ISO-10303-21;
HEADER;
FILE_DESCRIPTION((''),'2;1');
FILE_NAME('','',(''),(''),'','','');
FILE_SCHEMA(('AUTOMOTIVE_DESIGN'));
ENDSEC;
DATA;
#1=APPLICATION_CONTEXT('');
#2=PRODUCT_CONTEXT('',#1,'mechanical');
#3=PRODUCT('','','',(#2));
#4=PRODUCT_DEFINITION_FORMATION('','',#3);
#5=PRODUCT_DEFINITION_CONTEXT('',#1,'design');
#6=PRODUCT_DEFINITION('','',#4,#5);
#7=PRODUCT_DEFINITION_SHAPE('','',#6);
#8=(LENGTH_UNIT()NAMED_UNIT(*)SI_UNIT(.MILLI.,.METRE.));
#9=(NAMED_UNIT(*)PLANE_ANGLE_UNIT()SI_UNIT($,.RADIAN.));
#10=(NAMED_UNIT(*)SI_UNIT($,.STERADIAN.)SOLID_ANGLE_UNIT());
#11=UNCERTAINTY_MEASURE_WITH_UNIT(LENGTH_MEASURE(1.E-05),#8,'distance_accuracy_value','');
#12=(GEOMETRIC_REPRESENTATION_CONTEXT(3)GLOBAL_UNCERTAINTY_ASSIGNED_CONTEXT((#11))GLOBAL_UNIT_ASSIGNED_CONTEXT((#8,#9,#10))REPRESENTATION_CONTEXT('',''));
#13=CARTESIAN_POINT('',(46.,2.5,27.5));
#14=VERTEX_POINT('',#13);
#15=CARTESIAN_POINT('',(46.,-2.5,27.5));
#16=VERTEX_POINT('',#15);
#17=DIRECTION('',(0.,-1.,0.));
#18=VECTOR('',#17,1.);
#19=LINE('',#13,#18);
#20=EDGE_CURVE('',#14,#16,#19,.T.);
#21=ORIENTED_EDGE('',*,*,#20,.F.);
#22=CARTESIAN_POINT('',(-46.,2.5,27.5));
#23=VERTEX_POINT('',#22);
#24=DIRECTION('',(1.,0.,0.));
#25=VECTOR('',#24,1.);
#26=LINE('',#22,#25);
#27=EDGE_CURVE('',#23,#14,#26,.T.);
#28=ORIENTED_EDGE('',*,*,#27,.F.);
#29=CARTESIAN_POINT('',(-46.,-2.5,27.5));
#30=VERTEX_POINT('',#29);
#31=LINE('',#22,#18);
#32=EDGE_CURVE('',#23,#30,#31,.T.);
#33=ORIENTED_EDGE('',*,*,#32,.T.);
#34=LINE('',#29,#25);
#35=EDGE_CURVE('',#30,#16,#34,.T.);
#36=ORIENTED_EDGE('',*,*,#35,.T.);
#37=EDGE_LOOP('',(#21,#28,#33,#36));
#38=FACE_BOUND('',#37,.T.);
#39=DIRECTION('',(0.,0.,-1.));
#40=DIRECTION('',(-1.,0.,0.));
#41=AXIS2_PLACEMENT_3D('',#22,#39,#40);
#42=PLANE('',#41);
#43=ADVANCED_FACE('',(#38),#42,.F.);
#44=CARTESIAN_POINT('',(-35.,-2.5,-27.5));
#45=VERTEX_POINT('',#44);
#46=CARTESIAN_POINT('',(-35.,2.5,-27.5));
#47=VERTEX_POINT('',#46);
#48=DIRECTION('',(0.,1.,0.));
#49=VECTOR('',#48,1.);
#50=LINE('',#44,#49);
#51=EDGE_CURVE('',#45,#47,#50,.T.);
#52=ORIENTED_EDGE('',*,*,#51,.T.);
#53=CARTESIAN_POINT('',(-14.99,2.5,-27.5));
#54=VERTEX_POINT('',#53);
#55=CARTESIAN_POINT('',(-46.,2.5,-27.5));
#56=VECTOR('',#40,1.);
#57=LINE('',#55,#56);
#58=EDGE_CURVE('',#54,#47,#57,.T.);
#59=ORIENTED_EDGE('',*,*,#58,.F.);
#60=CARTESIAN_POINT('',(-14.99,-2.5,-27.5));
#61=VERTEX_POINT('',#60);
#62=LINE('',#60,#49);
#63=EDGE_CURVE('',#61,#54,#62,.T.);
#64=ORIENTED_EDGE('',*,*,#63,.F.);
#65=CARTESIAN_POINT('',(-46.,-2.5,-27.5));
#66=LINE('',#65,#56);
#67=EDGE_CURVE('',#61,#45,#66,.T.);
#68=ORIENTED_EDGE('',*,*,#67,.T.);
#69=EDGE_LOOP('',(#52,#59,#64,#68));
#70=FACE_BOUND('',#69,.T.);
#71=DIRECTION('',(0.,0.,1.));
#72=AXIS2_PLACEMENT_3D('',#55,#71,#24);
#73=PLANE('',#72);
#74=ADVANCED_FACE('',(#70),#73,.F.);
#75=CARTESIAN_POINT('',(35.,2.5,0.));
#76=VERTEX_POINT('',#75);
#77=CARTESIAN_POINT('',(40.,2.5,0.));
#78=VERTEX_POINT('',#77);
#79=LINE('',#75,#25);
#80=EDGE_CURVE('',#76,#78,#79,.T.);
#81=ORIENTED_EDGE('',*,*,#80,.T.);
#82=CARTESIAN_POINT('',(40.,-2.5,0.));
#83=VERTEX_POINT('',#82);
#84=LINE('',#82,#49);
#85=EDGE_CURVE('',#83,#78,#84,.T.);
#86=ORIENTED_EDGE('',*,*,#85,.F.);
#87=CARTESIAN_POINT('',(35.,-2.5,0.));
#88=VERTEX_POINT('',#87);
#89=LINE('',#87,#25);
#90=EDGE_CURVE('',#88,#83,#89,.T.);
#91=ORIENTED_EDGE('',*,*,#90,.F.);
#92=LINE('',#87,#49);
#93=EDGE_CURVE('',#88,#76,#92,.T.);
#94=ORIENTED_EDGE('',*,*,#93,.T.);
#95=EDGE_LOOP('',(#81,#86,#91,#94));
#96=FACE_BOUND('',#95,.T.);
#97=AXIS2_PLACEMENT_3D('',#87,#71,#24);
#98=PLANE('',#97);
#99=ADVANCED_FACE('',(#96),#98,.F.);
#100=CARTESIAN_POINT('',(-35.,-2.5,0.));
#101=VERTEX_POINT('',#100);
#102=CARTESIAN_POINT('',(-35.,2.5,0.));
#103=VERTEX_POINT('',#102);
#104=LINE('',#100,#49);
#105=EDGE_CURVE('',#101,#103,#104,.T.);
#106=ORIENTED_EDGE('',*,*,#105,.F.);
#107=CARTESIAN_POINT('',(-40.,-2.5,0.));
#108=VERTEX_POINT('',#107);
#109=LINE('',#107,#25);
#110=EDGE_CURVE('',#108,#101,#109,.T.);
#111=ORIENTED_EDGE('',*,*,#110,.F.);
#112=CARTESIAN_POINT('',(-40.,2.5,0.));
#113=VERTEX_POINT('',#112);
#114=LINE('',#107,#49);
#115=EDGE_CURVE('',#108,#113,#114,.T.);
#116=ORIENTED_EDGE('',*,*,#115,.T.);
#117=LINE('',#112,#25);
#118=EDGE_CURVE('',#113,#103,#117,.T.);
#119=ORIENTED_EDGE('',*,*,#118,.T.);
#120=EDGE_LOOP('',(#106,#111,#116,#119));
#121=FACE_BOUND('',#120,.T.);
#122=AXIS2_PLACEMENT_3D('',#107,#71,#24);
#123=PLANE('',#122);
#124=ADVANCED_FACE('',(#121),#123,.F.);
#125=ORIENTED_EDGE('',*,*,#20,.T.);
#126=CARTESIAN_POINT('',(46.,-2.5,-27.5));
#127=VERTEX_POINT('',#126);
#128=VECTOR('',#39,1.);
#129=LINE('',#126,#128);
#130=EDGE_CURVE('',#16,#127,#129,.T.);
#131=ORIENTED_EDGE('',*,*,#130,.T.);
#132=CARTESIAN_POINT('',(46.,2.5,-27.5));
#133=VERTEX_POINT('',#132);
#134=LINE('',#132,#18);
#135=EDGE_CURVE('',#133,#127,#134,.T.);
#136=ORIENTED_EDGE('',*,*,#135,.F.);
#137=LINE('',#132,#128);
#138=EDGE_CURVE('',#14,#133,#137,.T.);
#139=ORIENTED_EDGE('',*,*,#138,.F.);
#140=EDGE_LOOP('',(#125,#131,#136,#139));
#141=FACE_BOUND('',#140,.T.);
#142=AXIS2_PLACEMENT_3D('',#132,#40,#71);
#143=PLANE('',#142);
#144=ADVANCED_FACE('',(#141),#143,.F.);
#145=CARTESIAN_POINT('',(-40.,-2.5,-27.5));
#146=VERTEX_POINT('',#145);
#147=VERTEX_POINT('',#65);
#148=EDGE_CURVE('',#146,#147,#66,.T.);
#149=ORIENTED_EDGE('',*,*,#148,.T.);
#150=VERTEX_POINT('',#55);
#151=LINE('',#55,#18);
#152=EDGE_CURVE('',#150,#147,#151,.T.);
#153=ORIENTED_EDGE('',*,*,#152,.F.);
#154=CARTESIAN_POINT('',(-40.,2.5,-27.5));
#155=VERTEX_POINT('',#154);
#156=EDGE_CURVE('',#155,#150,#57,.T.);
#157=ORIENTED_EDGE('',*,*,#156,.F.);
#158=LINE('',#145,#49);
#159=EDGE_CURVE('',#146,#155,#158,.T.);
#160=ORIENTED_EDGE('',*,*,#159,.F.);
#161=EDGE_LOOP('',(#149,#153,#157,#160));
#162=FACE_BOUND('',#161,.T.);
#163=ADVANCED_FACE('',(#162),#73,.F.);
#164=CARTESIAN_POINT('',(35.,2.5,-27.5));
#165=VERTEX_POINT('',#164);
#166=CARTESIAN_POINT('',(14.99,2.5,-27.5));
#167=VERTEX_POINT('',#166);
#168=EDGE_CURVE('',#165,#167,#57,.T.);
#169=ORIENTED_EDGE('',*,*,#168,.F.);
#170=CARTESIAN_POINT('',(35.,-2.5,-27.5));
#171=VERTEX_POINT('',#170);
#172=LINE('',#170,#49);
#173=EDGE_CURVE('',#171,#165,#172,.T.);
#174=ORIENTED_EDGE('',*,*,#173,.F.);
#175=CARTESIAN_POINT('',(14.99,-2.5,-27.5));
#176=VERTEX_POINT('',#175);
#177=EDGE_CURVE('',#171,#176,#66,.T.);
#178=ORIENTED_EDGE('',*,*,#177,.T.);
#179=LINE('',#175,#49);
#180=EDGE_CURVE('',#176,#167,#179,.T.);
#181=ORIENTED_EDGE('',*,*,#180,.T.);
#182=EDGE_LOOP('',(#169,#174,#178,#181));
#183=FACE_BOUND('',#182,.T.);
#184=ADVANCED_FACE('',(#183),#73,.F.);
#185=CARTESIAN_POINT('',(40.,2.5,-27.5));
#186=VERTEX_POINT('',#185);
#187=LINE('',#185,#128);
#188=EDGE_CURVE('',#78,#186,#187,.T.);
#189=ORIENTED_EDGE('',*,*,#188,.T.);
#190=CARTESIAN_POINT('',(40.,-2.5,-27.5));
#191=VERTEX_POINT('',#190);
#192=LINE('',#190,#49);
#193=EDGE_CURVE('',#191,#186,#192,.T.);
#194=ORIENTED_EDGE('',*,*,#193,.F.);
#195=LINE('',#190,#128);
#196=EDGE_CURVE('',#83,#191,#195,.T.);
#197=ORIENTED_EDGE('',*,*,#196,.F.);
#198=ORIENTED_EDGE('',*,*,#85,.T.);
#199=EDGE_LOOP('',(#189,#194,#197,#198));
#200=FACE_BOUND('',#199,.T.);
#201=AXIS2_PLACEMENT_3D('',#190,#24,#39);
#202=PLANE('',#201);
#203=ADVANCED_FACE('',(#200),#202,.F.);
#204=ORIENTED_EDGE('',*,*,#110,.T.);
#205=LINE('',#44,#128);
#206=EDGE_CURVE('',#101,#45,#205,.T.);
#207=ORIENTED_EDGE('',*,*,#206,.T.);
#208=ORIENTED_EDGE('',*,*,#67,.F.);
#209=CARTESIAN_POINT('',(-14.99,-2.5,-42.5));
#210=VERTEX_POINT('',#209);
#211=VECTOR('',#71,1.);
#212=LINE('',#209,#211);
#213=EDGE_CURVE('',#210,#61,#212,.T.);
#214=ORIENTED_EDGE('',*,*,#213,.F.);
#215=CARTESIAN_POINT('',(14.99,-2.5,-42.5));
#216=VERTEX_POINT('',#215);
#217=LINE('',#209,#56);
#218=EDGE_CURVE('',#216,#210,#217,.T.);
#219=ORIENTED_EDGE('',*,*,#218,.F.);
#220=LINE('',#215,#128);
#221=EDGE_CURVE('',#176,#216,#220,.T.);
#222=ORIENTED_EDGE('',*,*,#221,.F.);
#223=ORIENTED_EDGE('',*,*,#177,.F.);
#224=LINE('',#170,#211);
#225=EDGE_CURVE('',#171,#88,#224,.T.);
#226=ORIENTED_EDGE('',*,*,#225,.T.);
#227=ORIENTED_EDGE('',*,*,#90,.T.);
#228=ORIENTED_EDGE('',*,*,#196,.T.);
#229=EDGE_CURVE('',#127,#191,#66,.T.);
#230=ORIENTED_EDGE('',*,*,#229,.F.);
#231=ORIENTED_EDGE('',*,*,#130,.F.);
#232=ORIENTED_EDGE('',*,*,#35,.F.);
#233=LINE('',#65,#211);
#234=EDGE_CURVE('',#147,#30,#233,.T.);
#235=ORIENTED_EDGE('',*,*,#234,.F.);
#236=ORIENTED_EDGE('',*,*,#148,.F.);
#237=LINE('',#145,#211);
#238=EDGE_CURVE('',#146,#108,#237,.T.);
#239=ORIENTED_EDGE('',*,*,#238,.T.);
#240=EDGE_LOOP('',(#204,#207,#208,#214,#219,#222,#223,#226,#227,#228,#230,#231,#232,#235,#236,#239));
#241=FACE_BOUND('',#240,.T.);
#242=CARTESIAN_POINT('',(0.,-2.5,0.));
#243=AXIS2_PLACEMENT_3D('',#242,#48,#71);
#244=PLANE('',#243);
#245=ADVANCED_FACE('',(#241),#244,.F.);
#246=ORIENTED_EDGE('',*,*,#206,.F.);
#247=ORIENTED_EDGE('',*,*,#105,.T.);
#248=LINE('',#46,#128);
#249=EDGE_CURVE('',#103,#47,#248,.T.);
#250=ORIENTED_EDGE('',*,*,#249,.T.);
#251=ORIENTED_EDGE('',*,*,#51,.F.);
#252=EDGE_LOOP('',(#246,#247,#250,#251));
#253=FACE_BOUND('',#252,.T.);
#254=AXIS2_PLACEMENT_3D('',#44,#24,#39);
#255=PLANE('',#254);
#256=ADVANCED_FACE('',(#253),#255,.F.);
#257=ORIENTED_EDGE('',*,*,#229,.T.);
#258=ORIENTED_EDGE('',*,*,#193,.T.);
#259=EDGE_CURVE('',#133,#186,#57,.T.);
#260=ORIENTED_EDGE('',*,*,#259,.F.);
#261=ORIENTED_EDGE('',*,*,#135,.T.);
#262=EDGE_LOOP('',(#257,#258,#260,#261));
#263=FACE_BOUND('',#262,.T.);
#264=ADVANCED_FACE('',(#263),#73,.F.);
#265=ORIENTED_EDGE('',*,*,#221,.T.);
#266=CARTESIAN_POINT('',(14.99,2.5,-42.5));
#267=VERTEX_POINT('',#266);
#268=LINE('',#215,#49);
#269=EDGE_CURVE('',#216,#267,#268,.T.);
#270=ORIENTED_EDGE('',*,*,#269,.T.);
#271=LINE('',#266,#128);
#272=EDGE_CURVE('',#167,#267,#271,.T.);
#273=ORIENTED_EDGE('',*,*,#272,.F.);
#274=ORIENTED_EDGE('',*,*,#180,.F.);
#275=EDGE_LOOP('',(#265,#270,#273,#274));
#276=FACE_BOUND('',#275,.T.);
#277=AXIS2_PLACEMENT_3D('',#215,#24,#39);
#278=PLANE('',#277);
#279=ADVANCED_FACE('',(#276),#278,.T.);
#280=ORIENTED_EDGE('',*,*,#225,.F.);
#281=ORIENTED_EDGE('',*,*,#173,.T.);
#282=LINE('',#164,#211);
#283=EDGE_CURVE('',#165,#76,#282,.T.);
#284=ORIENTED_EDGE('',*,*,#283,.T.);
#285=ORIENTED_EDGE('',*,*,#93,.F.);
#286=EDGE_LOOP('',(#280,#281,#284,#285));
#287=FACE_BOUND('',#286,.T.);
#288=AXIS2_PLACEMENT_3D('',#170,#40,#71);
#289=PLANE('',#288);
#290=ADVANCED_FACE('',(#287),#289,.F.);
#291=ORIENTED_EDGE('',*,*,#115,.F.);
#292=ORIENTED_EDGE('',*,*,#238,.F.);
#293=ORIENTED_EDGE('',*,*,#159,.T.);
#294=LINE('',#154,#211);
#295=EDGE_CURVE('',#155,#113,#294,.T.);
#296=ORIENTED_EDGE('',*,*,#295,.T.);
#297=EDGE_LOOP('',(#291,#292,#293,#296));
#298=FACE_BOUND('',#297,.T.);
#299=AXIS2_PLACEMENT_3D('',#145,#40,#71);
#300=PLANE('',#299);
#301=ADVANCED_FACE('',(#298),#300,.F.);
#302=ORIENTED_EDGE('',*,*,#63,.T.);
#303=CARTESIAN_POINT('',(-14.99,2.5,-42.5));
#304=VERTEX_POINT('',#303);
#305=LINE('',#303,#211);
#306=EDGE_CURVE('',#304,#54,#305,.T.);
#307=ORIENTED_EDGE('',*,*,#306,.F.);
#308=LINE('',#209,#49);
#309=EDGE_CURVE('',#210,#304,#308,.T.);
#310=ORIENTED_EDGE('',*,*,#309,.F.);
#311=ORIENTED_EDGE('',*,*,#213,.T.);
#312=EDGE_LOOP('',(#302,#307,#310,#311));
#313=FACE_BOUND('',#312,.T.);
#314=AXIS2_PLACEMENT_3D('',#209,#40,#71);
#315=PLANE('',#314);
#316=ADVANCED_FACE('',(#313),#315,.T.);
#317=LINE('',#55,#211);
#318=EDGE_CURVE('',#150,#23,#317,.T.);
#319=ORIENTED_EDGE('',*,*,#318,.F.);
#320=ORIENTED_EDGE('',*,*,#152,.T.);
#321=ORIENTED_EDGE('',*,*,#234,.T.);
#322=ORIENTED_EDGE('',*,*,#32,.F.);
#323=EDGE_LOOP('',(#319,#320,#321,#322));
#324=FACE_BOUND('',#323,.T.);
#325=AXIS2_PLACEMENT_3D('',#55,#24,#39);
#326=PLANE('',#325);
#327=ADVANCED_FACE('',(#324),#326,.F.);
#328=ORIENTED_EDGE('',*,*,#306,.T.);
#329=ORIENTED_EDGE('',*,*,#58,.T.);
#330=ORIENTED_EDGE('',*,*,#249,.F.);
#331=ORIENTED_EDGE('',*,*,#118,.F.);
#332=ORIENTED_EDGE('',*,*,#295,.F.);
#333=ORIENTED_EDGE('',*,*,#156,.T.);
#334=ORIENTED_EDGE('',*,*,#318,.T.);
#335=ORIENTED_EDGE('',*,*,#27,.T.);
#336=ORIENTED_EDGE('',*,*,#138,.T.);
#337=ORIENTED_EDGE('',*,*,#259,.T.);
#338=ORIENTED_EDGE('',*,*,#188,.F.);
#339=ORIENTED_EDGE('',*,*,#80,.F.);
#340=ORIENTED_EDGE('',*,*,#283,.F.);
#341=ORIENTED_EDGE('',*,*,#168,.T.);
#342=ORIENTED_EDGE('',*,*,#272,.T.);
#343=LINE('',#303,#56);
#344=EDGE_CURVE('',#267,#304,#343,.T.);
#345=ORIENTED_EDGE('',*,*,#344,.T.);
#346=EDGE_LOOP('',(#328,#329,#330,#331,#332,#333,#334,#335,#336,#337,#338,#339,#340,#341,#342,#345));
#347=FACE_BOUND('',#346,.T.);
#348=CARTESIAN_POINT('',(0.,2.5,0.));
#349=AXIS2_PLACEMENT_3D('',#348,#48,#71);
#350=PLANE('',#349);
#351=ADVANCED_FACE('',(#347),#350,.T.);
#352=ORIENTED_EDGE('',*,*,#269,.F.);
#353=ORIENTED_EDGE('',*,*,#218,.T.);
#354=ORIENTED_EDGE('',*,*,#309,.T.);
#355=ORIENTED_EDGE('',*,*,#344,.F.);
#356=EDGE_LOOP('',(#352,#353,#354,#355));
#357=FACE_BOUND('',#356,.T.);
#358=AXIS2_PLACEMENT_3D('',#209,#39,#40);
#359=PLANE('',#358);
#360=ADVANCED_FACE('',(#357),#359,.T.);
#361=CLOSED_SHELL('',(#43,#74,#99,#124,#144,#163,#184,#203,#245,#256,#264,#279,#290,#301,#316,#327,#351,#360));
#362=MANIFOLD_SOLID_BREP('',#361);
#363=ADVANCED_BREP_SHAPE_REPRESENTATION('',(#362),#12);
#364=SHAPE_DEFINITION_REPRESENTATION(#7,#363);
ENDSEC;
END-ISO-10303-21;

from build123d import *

# Parameters (mm, degrees)
SKETCH1_W           = 92
SKETCH1_H           = 55
BOSS_EXTRUDE1_DEPTH = 2.5
SKETCH2_W           = 5
SKETCH2_H           = 27.5
CUT_EXTRUDE1_DEPTH  = 6
SKETCH3_W           = 29.98
SKETCH3_H           = 15
BOSS_EXTRUDE2_DEPTH = 5


with BuildPart() as part:
    # Sketch1 → Boss-Extrude1 (new body, symmetric)
    with BuildSketch(Plane(origin=(0, 0, 0), x_dir=(1, 0, 0), z_dir=(0, 1, 0))):
        Rectangle(SKETCH1_W, SKETCH1_H)
    extrude(amount=BOSS_EXTRUDE1_DEPTH, both=True)

    # Sketch2 → Cut-Extrude1 (cut, through all)
    with BuildSketch(Plane(origin=(0, 2.5, 0), x_dir=(1, 0, 0), z_dir=(0, 1, 0))):
        with Locations((-37.5, 13.75)):
            Rectangle(SKETCH2_W, SKETCH2_H)
        with Locations((37.5, 13.75)):
            Rectangle(SKETCH2_W, SKETCH2_H)
    extrude(amount=-CUT_EXTRUDE1_DEPTH, mode=Mode.SUBTRACT)

    # Sketch3 → Boss-Extrude2 (add)
    with BuildSketch(Plane(origin=(0, 2.5, 0), x_dir=(1, 0, 0), z_dir=(0, 1, 0))):
        with Locations((0, 35)):
            Rectangle(SKETCH3_W, SKETCH3_H)
    extrude(amount=-BOSS_EXTRUDE2_DEPTH)


solid = part.part
